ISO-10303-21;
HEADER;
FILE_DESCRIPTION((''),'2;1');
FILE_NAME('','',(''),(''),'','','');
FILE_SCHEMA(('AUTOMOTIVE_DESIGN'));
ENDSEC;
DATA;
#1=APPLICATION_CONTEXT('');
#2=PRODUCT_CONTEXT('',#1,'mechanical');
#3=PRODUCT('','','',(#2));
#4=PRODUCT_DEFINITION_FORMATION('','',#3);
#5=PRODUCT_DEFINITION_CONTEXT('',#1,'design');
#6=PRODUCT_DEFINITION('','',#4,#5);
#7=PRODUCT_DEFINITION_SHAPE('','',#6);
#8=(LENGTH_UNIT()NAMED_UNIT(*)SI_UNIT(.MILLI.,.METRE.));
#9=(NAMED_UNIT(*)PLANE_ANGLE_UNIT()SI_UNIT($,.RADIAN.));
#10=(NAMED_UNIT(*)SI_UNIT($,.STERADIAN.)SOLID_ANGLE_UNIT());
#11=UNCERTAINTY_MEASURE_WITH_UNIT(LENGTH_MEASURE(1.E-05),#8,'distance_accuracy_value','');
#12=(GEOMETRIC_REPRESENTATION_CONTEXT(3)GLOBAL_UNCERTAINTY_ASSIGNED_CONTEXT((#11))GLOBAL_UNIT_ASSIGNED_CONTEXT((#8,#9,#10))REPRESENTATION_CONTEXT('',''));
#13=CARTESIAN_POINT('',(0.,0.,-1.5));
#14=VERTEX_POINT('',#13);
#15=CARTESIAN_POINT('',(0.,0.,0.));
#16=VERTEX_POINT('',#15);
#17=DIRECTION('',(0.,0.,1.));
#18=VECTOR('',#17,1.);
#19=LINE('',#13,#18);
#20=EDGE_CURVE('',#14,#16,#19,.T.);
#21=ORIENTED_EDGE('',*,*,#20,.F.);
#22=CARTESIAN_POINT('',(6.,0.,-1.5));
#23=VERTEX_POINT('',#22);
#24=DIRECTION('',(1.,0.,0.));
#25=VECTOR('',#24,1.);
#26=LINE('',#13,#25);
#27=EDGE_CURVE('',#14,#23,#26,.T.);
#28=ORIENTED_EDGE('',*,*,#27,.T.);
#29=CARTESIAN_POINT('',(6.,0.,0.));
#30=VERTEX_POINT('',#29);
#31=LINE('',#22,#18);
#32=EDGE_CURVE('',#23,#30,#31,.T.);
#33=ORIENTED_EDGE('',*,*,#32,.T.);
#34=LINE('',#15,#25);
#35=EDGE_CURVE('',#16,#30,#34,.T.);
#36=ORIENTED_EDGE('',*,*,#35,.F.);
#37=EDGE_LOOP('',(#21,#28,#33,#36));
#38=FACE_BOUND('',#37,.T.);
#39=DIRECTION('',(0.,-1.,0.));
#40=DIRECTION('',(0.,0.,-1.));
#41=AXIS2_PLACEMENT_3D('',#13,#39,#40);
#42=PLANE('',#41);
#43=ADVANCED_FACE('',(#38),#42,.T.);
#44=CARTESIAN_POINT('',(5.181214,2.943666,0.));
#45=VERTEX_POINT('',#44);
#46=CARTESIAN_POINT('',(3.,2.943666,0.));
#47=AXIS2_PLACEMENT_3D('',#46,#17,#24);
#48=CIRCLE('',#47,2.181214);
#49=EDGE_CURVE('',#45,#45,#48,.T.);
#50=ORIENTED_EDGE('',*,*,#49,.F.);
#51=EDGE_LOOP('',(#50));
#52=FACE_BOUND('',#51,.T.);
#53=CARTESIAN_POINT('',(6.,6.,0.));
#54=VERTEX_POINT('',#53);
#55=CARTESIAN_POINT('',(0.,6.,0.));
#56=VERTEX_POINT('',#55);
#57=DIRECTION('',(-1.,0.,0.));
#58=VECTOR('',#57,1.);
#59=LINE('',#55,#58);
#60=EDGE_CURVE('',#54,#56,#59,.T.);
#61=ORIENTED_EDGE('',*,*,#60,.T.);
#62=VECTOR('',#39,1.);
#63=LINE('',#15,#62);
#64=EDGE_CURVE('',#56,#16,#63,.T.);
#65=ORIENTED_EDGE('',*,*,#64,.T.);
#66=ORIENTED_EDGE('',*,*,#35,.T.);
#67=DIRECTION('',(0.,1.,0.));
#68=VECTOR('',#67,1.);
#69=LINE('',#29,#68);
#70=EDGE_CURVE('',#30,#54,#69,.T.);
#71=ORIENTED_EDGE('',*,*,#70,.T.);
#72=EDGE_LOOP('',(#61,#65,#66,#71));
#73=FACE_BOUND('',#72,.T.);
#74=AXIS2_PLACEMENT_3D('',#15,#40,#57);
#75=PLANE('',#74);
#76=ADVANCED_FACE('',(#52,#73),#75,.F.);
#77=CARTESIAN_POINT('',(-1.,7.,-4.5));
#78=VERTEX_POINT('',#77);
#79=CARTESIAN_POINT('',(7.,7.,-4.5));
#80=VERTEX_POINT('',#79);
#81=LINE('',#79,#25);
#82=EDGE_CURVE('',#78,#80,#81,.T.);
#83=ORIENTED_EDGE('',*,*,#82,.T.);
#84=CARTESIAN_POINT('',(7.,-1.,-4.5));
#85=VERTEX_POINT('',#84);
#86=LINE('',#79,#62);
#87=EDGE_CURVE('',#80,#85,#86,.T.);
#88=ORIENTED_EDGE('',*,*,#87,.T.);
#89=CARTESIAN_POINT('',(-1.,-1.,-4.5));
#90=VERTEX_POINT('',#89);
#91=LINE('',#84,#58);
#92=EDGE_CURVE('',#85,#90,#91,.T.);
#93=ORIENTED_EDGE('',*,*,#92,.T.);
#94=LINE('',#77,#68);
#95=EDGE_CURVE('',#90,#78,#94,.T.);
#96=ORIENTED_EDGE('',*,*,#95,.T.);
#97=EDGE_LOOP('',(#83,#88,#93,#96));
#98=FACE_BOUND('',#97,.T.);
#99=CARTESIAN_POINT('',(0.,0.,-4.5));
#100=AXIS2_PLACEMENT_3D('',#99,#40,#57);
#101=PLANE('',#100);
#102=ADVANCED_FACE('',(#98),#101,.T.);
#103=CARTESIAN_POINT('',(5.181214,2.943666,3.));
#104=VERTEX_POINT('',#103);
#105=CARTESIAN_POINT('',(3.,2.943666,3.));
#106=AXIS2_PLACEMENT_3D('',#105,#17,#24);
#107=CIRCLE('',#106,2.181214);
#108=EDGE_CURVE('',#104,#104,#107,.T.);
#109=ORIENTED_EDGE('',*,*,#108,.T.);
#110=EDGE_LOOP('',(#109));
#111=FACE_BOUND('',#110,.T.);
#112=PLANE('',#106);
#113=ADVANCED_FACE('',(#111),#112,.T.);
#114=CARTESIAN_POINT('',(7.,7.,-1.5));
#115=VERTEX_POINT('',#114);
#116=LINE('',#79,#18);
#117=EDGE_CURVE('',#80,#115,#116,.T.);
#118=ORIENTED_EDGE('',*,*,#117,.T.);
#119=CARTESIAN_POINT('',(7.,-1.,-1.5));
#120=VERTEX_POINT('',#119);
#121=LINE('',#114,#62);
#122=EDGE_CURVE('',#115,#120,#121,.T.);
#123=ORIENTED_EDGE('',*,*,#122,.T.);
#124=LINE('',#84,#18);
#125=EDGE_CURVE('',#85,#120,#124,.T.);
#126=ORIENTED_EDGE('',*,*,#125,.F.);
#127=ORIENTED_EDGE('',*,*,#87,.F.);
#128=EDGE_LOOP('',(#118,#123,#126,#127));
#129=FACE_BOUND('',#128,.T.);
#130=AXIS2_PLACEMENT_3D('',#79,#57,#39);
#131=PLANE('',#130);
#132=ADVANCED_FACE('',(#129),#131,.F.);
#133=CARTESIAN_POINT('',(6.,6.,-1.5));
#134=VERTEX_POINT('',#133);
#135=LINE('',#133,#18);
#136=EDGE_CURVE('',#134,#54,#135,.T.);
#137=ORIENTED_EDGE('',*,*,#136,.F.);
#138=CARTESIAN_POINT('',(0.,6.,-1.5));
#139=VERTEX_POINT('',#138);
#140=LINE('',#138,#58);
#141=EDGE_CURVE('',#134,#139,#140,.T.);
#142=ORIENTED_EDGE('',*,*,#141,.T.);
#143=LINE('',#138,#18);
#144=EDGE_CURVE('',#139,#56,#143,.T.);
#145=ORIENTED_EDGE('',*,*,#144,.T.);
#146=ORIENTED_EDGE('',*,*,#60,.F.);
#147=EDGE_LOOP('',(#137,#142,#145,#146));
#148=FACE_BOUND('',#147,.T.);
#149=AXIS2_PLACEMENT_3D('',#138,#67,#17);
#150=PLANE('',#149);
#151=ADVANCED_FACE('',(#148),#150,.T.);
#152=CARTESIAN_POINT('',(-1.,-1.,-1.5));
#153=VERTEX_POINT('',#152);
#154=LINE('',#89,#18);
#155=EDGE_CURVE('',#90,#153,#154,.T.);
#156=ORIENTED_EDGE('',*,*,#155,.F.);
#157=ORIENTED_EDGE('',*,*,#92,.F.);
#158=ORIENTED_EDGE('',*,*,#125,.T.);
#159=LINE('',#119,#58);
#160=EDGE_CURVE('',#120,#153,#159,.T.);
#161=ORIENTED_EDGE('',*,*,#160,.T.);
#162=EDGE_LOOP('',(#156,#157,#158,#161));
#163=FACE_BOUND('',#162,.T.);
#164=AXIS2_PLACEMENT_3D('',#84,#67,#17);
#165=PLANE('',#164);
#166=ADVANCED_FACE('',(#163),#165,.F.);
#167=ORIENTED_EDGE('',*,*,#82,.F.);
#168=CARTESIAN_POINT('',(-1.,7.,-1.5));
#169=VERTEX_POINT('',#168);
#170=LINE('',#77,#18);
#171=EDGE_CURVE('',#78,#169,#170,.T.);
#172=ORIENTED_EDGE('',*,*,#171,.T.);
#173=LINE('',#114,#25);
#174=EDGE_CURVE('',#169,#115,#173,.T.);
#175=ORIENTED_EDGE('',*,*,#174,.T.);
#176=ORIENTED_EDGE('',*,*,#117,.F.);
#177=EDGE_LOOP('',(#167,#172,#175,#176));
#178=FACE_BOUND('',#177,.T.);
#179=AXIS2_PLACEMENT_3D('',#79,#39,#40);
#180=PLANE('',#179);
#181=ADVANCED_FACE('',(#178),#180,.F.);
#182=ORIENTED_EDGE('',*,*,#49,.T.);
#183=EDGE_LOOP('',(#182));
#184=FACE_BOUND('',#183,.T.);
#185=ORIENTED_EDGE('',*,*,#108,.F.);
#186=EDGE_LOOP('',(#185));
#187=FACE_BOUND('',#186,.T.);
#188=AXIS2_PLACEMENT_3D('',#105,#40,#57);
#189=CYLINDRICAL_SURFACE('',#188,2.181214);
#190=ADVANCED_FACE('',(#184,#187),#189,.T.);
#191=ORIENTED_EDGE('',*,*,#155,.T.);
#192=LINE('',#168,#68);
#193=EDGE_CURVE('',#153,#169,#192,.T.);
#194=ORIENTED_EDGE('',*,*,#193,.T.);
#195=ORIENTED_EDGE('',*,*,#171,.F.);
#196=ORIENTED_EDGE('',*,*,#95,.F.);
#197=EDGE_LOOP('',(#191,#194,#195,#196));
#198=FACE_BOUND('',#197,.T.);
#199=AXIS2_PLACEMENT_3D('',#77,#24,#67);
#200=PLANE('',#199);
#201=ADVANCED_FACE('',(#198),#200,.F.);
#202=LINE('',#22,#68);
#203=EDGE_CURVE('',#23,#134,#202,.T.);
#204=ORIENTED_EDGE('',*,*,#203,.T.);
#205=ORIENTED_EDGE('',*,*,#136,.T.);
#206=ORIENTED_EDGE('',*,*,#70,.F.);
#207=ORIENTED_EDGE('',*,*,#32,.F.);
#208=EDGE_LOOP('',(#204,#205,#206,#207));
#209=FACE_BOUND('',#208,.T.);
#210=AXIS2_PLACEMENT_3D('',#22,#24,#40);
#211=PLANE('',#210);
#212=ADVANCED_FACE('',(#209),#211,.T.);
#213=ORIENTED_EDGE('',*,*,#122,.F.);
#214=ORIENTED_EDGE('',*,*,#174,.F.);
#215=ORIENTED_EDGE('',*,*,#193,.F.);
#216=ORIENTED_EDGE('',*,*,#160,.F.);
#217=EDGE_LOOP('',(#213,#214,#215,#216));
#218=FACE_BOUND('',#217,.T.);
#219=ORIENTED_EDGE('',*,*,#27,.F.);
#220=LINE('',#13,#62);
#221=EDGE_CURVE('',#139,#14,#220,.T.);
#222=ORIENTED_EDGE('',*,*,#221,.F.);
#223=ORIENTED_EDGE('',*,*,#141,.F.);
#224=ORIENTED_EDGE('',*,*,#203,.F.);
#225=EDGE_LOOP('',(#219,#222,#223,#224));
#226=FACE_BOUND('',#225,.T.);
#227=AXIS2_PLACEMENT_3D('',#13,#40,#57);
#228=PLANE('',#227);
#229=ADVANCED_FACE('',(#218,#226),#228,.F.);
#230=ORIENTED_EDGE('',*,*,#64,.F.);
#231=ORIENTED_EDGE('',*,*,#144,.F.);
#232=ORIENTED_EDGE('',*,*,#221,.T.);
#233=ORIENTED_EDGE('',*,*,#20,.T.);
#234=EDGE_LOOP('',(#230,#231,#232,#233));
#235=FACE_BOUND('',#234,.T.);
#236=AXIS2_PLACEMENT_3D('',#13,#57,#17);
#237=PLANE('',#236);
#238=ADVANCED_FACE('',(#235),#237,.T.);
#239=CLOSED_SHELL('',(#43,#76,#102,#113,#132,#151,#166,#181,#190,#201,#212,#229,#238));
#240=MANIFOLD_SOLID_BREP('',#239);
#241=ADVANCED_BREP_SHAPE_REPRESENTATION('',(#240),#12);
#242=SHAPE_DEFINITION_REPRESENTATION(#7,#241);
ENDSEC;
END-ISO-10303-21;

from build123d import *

# Parameters (mm, degrees)
SKETCH1_W           = 6
SKETCH1_H           = 6
BOSS_EXTRUDE1_DEPTH = 1.5
SKETCH2_R           = 2.181214146
BOSS_EXTRUDE2_DEPTH = 3
SKETCH4_W           = 8
SKETCH4_H           = 8
BOSS_EXTRUDE3_DEPTH = 3


with BuildPart() as part:
    # Sketch1 → Boss-Extrude1 (new body)
    with BuildSketch(Plane.XY):
        with Locations((3, 3)):
            Rectangle(SKETCH1_W, SKETCH1_H)
    extrude(amount=-BOSS_EXTRUDE1_DEPTH)

    # Sketch2 → Boss-Extrude2 (add)
    with BuildSketch(Plane.XY):
        with Locations((3, 2.94366618)):
            Circle(SKETCH2_R)
    extrude(amount=BOSS_EXTRUDE2_DEPTH)

    # Sketch4 → Boss-Extrude3 (add)
    with BuildSketch(Plane(origin=(0, 0, -1.5), x_dir=(-1, 0, 0), z_dir=(0, 0, -1))):
        with Locations((-3, 3)):
            Rectangle(SKETCH4_W, SKETCH4_H)
    extrude(amount=BOSS_EXTRUDE3_DEPTH)


solid = part.part
